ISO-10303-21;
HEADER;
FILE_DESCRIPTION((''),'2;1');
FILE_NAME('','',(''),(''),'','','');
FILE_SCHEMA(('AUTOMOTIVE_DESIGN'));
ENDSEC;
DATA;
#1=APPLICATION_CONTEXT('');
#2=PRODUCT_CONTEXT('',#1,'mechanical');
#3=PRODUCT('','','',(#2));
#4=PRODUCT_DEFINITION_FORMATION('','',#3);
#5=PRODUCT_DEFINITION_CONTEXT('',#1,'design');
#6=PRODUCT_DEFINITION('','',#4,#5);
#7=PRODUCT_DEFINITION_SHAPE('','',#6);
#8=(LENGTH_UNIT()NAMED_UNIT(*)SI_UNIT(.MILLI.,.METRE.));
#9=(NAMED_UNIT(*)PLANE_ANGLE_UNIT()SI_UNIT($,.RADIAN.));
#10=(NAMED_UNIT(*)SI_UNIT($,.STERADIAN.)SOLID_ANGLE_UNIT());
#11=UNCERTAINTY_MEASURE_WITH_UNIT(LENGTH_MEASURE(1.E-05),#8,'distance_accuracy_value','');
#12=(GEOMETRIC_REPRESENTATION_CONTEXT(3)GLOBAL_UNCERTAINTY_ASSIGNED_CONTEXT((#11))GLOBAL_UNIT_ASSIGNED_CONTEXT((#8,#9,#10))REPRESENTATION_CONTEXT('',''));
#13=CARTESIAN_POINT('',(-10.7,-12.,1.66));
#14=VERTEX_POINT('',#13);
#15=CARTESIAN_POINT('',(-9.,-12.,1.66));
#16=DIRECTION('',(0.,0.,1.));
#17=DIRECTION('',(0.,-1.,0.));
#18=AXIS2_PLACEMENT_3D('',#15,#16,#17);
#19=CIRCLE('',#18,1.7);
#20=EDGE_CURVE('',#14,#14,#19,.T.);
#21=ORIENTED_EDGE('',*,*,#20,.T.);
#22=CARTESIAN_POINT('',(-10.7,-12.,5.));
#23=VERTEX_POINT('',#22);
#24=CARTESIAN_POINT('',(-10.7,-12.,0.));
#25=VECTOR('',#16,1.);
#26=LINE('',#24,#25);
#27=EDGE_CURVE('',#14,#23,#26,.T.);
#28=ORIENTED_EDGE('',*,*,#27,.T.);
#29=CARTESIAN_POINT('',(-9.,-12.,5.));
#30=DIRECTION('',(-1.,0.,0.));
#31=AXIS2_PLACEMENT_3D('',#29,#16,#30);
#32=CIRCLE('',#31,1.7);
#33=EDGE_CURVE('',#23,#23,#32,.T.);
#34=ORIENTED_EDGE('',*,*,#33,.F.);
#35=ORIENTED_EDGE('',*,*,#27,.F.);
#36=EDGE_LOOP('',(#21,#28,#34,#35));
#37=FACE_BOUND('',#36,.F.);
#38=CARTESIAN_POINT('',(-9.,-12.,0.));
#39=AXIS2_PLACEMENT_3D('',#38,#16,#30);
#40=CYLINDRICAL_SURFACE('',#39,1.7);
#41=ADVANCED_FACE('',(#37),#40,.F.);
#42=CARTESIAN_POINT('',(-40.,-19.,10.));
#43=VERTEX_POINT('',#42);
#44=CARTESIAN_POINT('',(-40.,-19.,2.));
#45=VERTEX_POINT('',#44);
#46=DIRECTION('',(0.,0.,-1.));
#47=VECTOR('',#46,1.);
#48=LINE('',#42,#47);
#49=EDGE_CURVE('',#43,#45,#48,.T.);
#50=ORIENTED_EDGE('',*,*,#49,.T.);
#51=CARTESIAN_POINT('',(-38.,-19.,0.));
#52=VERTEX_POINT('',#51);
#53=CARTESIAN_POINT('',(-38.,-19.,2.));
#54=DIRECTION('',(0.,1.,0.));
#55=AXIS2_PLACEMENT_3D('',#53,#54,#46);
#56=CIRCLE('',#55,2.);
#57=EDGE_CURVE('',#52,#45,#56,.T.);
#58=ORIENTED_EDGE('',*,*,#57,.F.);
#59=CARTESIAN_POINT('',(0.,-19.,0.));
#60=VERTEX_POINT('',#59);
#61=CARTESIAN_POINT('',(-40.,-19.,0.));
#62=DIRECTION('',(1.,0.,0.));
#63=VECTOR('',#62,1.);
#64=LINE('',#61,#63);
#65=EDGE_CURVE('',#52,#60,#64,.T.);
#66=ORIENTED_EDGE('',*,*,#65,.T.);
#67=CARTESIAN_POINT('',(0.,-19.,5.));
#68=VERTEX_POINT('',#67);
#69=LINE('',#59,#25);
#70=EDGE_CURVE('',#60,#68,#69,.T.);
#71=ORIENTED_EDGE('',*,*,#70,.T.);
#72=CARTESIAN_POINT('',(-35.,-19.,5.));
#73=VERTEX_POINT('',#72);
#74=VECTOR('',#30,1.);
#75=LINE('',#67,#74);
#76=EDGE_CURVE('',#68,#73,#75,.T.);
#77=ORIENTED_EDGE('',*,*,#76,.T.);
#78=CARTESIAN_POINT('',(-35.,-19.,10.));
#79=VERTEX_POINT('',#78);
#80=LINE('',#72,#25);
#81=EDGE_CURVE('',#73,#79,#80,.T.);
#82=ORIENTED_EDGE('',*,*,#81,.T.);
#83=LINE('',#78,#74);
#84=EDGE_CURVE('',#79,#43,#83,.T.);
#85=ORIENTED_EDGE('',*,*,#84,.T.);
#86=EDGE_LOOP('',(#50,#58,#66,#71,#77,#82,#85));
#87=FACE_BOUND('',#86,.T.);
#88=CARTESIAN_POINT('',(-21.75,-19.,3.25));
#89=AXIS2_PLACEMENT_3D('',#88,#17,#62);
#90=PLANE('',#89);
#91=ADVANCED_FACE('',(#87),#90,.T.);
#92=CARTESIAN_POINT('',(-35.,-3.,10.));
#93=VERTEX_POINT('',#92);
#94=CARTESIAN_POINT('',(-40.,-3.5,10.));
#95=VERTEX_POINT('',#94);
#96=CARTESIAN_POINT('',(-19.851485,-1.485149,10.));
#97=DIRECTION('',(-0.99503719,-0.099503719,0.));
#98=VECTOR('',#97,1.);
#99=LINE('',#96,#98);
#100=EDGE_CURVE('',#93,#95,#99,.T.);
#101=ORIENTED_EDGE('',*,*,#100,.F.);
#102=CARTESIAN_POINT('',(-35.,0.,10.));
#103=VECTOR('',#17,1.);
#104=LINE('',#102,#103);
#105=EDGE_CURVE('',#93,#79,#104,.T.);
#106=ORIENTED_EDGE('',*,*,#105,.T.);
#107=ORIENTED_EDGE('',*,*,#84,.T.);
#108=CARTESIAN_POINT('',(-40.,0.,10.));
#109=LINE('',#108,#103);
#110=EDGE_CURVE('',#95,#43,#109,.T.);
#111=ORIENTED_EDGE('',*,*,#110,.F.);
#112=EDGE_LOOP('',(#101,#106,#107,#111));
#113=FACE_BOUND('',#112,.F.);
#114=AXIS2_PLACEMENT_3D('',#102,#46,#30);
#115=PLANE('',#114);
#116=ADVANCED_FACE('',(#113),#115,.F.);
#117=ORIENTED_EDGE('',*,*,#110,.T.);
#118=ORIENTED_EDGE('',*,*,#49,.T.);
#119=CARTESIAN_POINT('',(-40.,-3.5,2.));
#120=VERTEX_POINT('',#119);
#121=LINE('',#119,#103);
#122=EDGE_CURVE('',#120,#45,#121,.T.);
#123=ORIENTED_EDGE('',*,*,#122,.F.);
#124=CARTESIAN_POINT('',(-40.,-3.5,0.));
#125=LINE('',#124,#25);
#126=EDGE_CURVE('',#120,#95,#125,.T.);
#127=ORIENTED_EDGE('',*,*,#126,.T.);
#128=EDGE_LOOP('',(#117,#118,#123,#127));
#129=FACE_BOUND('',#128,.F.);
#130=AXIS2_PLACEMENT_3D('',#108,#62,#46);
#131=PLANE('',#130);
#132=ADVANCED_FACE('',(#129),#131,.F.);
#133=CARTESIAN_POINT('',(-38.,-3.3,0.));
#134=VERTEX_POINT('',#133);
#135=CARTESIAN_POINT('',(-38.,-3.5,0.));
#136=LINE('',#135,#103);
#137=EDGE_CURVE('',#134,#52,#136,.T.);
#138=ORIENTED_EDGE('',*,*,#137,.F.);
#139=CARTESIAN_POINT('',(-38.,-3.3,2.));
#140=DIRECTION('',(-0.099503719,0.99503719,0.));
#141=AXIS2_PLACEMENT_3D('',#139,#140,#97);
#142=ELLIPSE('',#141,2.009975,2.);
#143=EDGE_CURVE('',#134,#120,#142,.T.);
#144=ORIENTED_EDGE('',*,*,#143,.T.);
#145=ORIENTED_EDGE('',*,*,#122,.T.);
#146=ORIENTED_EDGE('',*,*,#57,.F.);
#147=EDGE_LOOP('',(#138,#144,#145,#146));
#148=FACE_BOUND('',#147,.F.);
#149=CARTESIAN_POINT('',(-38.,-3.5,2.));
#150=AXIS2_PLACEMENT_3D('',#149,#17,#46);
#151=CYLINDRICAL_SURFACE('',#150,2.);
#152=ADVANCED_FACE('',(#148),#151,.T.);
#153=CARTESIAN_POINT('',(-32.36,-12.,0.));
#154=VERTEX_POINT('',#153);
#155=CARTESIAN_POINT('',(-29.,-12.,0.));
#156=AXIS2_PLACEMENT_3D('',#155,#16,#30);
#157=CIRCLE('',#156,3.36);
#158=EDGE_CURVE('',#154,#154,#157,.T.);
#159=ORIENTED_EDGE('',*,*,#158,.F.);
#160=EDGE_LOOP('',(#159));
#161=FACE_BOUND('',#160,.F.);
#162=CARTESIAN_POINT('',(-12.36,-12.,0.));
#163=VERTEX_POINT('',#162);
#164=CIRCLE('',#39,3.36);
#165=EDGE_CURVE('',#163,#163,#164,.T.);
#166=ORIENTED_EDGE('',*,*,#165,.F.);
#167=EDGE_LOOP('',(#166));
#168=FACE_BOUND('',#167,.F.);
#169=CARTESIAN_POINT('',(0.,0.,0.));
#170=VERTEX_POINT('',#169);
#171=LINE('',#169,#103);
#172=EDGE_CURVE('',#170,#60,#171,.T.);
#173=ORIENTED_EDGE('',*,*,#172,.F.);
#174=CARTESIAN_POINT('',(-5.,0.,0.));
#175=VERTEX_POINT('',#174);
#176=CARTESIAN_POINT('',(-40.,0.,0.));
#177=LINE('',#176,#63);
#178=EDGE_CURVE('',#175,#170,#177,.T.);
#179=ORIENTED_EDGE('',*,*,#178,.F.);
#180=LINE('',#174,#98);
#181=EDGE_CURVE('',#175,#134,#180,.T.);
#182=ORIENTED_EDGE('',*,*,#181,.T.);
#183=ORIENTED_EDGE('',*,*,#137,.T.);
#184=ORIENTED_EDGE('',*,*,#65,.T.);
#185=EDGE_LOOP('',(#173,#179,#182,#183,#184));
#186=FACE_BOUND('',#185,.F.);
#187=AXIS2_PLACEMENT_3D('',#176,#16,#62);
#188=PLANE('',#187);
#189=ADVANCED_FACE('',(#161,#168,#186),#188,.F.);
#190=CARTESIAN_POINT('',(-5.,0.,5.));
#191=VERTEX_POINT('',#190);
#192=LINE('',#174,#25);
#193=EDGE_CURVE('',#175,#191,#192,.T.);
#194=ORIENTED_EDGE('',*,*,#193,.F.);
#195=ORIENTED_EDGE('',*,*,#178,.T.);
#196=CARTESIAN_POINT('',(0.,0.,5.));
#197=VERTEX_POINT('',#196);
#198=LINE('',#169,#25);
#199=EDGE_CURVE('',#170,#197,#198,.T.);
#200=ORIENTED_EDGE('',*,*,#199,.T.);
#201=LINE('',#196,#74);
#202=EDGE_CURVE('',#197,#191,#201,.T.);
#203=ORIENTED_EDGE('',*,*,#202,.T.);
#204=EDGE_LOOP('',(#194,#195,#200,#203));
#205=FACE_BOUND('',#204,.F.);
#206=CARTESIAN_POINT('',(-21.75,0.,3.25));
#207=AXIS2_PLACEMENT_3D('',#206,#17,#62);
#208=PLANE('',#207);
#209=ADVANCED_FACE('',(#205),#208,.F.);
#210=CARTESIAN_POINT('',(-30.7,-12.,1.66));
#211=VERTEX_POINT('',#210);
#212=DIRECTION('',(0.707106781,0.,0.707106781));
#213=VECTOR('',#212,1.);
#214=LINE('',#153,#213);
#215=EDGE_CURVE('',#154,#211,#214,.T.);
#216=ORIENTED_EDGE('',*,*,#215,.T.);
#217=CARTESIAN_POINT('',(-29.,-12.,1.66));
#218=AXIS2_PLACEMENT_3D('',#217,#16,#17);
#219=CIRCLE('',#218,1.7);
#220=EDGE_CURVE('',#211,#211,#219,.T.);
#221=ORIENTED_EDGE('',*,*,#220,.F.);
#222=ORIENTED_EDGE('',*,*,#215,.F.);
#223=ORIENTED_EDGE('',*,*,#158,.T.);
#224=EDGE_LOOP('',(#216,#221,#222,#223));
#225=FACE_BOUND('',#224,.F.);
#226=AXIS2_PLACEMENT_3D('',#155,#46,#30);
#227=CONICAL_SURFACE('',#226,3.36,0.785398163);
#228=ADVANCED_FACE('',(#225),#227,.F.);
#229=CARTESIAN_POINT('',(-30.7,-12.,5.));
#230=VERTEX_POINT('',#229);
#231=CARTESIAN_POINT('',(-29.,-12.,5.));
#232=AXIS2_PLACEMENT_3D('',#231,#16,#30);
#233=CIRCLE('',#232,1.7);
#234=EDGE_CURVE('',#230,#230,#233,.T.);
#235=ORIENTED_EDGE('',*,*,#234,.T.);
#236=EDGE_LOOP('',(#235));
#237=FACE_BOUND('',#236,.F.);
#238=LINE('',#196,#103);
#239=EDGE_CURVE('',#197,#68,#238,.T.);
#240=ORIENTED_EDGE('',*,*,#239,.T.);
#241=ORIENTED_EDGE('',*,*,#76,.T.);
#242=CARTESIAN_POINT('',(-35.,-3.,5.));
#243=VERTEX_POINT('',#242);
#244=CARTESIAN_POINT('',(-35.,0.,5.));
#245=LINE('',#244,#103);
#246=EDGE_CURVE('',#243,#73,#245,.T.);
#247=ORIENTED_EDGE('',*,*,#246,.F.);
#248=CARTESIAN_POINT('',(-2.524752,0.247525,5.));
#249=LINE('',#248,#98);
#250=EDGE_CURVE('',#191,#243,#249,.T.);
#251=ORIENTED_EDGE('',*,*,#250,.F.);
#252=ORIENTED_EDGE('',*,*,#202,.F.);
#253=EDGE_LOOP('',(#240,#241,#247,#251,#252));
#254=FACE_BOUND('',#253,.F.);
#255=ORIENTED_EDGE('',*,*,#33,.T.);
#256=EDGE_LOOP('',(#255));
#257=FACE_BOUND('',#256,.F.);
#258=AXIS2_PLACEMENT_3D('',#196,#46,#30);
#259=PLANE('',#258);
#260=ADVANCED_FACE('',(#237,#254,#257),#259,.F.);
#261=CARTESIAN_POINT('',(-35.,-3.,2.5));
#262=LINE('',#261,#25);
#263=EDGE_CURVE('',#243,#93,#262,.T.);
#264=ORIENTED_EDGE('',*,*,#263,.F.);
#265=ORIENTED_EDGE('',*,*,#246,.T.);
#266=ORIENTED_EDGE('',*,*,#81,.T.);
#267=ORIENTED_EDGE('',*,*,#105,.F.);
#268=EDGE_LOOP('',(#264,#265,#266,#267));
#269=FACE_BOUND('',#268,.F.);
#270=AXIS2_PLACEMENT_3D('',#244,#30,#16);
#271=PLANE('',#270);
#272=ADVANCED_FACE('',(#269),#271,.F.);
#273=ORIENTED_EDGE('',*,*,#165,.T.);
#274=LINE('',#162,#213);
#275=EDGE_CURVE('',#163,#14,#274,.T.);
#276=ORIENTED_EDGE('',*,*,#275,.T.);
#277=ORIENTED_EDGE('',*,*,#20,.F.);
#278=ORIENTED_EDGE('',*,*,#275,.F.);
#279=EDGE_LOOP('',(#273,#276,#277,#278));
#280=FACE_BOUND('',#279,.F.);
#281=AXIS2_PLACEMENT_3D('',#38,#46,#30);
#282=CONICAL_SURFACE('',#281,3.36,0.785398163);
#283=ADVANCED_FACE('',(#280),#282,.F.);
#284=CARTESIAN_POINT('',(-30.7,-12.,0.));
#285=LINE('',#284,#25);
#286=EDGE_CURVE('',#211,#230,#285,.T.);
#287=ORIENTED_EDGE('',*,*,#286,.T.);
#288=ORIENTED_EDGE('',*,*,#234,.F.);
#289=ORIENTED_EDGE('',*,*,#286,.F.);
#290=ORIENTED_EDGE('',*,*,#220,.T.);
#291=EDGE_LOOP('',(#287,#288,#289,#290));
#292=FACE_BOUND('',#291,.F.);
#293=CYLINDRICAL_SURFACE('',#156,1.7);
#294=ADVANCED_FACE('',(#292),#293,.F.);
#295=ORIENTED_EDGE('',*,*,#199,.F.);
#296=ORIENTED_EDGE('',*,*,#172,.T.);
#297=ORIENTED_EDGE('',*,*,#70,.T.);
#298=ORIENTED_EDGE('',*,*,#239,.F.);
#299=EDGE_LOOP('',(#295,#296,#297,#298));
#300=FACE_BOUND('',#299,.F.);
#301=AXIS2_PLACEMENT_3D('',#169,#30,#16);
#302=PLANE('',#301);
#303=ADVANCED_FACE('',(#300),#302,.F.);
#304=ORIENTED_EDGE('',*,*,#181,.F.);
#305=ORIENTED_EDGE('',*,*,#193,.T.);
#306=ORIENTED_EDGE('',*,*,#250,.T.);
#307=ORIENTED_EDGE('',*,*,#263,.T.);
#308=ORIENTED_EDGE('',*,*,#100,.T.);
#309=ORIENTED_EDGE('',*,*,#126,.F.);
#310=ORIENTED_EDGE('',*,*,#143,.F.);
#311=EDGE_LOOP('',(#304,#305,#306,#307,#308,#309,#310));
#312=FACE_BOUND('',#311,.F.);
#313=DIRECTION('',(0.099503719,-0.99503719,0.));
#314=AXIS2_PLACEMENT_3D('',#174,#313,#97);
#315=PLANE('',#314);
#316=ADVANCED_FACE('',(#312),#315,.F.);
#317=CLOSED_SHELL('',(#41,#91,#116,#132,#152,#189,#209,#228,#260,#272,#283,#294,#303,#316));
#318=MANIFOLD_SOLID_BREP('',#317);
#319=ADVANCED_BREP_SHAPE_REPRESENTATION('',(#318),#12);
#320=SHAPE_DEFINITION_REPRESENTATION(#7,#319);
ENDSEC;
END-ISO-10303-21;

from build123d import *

# Parameters (mm, degrees)
F1_DEPTH       = 19
F3_DEPTH       = 25
F4_D           = 3.4
F4_CSINK_D     = 6.72
F4_CSINK_ANGLE = 90
F5_R           = 2


with BuildPart() as f1:
    # F0 (on Front) → F1 (new body)
    with BuildSketch(Plane.XZ):
        Polygon((-40, 0), (0, 0), (0, 5), (-35, 5), (-35, 10), (-40, 10), align=None)
    extrude(amount=F1_DEPTH)

    # F2 (on face) → F3 (cut)
    with BuildSketch(Plane(origin=(0, 0, 0), x_dir=(1, 0, 0), z_dir=(0, 0, -1))):
        Polygon((-5, 0), (-40, 3.5), (-40, 0), align=None)
    extrude(amount=-F3_DEPTH, mode=Mode.SUBTRACT)

    # F4 (through all)
    with Locations(Plane(origin=(0, 0, 0), x_dir=(1, 0, 0), z_dir=(0, 0, -1))):
        with Locations((-9, 12), (-29, 12)):
            CounterSinkHole(F4_D / 2, F4_CSINK_D / 2, counter_sink_angle=F4_CSINK_ANGLE)

    # F5
    f5_edges = [f1.edges().sort_by_distance(p)[0] for p in [
        (-40, -11.25, 0),
    ]]
    fillet(f5_edges, radius=F5_R)


solid = f1.part
